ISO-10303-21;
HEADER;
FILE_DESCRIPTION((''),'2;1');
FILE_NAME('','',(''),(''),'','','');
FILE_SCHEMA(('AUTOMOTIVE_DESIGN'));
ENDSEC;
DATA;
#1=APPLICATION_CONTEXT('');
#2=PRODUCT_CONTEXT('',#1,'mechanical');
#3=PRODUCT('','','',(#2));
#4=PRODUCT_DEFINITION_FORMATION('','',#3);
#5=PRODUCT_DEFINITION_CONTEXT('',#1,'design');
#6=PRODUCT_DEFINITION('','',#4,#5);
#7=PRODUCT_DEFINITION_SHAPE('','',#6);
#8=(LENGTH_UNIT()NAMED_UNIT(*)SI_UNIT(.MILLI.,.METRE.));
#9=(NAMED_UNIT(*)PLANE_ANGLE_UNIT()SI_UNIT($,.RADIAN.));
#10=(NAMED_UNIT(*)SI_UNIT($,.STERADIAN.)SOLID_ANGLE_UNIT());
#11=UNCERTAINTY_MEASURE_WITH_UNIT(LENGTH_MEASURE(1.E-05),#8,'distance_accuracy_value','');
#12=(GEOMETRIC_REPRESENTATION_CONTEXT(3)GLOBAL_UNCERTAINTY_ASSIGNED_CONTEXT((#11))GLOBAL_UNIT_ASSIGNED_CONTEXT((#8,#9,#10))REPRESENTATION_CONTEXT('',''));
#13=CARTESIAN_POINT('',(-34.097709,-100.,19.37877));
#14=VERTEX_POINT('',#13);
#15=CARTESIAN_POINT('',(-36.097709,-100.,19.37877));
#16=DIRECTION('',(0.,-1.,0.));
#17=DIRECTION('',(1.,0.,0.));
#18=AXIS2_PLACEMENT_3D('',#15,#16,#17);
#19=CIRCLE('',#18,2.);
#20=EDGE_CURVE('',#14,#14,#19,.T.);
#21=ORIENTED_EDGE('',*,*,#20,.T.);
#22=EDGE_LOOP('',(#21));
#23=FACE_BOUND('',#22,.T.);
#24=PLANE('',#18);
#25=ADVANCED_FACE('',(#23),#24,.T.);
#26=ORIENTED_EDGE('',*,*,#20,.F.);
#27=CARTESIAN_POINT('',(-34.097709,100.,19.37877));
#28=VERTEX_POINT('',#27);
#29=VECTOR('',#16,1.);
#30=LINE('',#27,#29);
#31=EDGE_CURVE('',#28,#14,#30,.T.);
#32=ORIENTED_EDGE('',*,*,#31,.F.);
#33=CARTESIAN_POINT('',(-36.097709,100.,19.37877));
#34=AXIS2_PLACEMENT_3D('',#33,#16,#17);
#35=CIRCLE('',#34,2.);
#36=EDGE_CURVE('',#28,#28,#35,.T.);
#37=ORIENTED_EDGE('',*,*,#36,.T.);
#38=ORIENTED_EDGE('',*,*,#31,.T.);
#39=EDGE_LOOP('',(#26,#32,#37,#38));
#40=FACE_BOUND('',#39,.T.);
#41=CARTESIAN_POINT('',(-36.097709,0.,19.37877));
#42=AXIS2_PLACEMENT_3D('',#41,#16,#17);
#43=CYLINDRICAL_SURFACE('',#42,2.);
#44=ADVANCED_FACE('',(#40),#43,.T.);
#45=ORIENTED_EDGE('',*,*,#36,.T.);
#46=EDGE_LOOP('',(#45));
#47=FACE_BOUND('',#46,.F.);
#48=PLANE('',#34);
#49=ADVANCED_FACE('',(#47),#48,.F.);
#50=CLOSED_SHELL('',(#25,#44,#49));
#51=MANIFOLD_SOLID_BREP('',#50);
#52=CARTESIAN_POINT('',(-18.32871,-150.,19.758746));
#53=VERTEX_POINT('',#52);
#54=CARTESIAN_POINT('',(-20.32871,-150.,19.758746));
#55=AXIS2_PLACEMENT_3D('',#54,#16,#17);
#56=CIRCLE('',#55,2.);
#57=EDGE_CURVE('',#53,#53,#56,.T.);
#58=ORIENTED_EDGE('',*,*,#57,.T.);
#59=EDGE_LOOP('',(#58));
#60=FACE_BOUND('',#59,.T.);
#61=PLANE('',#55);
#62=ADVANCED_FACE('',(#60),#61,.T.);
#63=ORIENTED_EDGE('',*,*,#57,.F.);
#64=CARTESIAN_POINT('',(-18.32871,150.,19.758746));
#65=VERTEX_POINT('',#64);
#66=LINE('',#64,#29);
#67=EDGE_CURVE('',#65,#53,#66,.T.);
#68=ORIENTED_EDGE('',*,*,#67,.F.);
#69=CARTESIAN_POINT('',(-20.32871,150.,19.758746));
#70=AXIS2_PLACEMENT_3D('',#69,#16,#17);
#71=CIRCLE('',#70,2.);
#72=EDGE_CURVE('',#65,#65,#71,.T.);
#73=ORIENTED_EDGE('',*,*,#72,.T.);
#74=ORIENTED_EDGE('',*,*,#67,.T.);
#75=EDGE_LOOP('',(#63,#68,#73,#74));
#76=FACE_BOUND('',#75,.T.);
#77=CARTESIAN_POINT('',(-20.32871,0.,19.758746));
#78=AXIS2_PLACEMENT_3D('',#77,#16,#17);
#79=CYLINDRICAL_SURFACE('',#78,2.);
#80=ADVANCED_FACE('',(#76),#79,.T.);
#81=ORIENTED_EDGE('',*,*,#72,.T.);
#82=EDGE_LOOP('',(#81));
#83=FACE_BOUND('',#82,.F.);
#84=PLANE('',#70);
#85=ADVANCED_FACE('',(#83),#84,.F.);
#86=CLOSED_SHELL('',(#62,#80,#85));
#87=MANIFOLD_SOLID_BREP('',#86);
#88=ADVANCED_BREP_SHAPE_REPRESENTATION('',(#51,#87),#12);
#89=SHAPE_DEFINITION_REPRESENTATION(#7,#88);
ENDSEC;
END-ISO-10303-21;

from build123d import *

# Parameters (mm, degrees)
F0_R     = 2
F1_DEPTH = 100
F2_DEPTH = 150


with BuildPart() as f1:
    # F0 (on Front) → F1 (new body, symmetric)
    with BuildSketch(Plane.XZ):
        with Locations((-36.097709, 19.37877)):
            Circle(F0_R)
    extrude(amount=F1_DEPTH, both=True)


with BuildPart() as f2:
    # F0 (on Front) → F2 (new body, symmetric)
    with BuildSketch(Plane.XZ):
        with Locations((-20.32871, 19.758746)):
            Circle(F0_R)
    extrude(amount=F2_DEPTH, both=True)


solid = Compound([f1.part, f2.part])
